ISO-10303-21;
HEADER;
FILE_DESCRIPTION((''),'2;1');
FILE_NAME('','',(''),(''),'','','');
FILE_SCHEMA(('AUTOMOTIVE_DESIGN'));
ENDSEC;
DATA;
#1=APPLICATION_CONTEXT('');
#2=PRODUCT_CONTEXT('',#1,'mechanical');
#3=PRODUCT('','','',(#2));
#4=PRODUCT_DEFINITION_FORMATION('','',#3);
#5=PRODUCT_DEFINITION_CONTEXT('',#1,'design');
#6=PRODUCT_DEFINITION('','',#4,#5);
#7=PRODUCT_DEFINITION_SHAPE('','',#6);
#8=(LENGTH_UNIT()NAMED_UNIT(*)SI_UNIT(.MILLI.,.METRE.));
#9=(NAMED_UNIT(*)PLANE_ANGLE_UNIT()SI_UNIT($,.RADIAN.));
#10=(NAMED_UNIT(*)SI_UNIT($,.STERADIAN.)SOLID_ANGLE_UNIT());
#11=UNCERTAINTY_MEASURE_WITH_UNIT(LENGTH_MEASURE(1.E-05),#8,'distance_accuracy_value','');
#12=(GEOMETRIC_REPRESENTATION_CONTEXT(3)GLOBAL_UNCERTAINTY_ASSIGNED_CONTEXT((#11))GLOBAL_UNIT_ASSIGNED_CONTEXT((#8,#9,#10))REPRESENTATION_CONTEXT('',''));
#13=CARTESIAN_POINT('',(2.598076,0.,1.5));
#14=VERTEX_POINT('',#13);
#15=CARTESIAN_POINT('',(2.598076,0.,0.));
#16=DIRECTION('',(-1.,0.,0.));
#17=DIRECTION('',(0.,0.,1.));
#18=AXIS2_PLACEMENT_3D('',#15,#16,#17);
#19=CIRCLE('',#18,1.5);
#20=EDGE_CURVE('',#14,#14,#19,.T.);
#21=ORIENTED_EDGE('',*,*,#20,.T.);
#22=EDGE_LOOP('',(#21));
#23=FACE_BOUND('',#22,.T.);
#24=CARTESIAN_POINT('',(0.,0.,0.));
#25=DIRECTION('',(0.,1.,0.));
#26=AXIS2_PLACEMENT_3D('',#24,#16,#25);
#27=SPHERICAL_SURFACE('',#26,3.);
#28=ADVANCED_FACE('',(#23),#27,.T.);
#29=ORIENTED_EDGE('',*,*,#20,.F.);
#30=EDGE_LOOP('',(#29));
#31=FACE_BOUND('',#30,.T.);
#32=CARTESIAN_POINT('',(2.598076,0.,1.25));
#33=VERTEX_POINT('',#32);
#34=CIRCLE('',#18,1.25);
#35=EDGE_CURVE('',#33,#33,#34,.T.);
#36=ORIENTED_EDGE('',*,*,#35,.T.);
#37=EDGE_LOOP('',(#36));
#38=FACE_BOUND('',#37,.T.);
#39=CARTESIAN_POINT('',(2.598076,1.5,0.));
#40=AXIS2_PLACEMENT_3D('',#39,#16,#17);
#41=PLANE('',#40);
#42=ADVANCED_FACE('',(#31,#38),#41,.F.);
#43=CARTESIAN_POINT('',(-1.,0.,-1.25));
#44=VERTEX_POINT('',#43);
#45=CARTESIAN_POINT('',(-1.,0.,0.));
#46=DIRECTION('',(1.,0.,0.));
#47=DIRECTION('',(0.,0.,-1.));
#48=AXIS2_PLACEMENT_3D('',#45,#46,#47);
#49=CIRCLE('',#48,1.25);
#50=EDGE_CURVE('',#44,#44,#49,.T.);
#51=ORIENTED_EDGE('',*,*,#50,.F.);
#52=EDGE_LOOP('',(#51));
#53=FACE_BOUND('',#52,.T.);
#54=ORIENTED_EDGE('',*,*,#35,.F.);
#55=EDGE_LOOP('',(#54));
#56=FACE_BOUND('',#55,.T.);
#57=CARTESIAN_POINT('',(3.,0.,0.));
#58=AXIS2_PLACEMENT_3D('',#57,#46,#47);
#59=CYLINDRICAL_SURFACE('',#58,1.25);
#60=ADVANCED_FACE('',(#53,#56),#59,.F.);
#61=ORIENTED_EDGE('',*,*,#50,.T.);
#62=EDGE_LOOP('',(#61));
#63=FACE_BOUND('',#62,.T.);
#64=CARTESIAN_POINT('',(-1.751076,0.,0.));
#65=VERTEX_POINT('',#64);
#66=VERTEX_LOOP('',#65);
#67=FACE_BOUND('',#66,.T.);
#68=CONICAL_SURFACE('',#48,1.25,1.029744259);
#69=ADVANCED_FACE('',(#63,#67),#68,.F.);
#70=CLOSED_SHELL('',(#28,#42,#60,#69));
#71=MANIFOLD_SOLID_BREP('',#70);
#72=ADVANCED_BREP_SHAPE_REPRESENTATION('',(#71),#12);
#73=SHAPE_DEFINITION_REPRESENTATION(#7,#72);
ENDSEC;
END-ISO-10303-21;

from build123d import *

# Parameters (mm, degrees)
TAP_DRILL_FOR_M3X0_5_TAP1_D     = 2.5
TAP_DRILL_FOR_M3X0_5_TAP1_DEPTH = 4
TAP_DRILL_FOR_M3X0_5_TAP1_TIP   = 0.751075774


with BuildPart() as part:
    # Sketch1 → Revolve1 (revolve)
    with BuildSketch(Plane.XY):
        with BuildLine():
            Line((-3, 0), (2.598076211, 0))
            Line((2.598076211, 0), (2.598076211, 1.5))
            ThreePointArc((2.598076211, 1.5), (-0.776457135, 2.897777479), (-3, 0))
        make_face()
    revolve(axis=Axis((-3.5, 0, 0), (1, 0, 0)))

    # Tap Drill for M3x0.5 Tap1
    with Locations(Plane(origin=(3, 0, 0), x_dir=(0, 0, -1), z_dir=(1, 0, 0))):
        with Locations((0, 0)):
            Hole(TAP_DRILL_FOR_M3X0_5_TAP1_D / 2, depth=TAP_DRILL_FOR_M3X0_5_TAP1_DEPTH)
            with Locations((0, 0, -(TAP_DRILL_FOR_M3X0_5_TAP1_DEPTH + TAP_DRILL_FOR_M3X0_5_TAP1_TIP / 2))):  # 118° drill point
                Cone(0, TAP_DRILL_FOR_M3X0_5_TAP1_D / 2, TAP_DRILL_FOR_M3X0_5_TAP1_TIP, mode=Mode.SUBTRACT)


solid = part.part
